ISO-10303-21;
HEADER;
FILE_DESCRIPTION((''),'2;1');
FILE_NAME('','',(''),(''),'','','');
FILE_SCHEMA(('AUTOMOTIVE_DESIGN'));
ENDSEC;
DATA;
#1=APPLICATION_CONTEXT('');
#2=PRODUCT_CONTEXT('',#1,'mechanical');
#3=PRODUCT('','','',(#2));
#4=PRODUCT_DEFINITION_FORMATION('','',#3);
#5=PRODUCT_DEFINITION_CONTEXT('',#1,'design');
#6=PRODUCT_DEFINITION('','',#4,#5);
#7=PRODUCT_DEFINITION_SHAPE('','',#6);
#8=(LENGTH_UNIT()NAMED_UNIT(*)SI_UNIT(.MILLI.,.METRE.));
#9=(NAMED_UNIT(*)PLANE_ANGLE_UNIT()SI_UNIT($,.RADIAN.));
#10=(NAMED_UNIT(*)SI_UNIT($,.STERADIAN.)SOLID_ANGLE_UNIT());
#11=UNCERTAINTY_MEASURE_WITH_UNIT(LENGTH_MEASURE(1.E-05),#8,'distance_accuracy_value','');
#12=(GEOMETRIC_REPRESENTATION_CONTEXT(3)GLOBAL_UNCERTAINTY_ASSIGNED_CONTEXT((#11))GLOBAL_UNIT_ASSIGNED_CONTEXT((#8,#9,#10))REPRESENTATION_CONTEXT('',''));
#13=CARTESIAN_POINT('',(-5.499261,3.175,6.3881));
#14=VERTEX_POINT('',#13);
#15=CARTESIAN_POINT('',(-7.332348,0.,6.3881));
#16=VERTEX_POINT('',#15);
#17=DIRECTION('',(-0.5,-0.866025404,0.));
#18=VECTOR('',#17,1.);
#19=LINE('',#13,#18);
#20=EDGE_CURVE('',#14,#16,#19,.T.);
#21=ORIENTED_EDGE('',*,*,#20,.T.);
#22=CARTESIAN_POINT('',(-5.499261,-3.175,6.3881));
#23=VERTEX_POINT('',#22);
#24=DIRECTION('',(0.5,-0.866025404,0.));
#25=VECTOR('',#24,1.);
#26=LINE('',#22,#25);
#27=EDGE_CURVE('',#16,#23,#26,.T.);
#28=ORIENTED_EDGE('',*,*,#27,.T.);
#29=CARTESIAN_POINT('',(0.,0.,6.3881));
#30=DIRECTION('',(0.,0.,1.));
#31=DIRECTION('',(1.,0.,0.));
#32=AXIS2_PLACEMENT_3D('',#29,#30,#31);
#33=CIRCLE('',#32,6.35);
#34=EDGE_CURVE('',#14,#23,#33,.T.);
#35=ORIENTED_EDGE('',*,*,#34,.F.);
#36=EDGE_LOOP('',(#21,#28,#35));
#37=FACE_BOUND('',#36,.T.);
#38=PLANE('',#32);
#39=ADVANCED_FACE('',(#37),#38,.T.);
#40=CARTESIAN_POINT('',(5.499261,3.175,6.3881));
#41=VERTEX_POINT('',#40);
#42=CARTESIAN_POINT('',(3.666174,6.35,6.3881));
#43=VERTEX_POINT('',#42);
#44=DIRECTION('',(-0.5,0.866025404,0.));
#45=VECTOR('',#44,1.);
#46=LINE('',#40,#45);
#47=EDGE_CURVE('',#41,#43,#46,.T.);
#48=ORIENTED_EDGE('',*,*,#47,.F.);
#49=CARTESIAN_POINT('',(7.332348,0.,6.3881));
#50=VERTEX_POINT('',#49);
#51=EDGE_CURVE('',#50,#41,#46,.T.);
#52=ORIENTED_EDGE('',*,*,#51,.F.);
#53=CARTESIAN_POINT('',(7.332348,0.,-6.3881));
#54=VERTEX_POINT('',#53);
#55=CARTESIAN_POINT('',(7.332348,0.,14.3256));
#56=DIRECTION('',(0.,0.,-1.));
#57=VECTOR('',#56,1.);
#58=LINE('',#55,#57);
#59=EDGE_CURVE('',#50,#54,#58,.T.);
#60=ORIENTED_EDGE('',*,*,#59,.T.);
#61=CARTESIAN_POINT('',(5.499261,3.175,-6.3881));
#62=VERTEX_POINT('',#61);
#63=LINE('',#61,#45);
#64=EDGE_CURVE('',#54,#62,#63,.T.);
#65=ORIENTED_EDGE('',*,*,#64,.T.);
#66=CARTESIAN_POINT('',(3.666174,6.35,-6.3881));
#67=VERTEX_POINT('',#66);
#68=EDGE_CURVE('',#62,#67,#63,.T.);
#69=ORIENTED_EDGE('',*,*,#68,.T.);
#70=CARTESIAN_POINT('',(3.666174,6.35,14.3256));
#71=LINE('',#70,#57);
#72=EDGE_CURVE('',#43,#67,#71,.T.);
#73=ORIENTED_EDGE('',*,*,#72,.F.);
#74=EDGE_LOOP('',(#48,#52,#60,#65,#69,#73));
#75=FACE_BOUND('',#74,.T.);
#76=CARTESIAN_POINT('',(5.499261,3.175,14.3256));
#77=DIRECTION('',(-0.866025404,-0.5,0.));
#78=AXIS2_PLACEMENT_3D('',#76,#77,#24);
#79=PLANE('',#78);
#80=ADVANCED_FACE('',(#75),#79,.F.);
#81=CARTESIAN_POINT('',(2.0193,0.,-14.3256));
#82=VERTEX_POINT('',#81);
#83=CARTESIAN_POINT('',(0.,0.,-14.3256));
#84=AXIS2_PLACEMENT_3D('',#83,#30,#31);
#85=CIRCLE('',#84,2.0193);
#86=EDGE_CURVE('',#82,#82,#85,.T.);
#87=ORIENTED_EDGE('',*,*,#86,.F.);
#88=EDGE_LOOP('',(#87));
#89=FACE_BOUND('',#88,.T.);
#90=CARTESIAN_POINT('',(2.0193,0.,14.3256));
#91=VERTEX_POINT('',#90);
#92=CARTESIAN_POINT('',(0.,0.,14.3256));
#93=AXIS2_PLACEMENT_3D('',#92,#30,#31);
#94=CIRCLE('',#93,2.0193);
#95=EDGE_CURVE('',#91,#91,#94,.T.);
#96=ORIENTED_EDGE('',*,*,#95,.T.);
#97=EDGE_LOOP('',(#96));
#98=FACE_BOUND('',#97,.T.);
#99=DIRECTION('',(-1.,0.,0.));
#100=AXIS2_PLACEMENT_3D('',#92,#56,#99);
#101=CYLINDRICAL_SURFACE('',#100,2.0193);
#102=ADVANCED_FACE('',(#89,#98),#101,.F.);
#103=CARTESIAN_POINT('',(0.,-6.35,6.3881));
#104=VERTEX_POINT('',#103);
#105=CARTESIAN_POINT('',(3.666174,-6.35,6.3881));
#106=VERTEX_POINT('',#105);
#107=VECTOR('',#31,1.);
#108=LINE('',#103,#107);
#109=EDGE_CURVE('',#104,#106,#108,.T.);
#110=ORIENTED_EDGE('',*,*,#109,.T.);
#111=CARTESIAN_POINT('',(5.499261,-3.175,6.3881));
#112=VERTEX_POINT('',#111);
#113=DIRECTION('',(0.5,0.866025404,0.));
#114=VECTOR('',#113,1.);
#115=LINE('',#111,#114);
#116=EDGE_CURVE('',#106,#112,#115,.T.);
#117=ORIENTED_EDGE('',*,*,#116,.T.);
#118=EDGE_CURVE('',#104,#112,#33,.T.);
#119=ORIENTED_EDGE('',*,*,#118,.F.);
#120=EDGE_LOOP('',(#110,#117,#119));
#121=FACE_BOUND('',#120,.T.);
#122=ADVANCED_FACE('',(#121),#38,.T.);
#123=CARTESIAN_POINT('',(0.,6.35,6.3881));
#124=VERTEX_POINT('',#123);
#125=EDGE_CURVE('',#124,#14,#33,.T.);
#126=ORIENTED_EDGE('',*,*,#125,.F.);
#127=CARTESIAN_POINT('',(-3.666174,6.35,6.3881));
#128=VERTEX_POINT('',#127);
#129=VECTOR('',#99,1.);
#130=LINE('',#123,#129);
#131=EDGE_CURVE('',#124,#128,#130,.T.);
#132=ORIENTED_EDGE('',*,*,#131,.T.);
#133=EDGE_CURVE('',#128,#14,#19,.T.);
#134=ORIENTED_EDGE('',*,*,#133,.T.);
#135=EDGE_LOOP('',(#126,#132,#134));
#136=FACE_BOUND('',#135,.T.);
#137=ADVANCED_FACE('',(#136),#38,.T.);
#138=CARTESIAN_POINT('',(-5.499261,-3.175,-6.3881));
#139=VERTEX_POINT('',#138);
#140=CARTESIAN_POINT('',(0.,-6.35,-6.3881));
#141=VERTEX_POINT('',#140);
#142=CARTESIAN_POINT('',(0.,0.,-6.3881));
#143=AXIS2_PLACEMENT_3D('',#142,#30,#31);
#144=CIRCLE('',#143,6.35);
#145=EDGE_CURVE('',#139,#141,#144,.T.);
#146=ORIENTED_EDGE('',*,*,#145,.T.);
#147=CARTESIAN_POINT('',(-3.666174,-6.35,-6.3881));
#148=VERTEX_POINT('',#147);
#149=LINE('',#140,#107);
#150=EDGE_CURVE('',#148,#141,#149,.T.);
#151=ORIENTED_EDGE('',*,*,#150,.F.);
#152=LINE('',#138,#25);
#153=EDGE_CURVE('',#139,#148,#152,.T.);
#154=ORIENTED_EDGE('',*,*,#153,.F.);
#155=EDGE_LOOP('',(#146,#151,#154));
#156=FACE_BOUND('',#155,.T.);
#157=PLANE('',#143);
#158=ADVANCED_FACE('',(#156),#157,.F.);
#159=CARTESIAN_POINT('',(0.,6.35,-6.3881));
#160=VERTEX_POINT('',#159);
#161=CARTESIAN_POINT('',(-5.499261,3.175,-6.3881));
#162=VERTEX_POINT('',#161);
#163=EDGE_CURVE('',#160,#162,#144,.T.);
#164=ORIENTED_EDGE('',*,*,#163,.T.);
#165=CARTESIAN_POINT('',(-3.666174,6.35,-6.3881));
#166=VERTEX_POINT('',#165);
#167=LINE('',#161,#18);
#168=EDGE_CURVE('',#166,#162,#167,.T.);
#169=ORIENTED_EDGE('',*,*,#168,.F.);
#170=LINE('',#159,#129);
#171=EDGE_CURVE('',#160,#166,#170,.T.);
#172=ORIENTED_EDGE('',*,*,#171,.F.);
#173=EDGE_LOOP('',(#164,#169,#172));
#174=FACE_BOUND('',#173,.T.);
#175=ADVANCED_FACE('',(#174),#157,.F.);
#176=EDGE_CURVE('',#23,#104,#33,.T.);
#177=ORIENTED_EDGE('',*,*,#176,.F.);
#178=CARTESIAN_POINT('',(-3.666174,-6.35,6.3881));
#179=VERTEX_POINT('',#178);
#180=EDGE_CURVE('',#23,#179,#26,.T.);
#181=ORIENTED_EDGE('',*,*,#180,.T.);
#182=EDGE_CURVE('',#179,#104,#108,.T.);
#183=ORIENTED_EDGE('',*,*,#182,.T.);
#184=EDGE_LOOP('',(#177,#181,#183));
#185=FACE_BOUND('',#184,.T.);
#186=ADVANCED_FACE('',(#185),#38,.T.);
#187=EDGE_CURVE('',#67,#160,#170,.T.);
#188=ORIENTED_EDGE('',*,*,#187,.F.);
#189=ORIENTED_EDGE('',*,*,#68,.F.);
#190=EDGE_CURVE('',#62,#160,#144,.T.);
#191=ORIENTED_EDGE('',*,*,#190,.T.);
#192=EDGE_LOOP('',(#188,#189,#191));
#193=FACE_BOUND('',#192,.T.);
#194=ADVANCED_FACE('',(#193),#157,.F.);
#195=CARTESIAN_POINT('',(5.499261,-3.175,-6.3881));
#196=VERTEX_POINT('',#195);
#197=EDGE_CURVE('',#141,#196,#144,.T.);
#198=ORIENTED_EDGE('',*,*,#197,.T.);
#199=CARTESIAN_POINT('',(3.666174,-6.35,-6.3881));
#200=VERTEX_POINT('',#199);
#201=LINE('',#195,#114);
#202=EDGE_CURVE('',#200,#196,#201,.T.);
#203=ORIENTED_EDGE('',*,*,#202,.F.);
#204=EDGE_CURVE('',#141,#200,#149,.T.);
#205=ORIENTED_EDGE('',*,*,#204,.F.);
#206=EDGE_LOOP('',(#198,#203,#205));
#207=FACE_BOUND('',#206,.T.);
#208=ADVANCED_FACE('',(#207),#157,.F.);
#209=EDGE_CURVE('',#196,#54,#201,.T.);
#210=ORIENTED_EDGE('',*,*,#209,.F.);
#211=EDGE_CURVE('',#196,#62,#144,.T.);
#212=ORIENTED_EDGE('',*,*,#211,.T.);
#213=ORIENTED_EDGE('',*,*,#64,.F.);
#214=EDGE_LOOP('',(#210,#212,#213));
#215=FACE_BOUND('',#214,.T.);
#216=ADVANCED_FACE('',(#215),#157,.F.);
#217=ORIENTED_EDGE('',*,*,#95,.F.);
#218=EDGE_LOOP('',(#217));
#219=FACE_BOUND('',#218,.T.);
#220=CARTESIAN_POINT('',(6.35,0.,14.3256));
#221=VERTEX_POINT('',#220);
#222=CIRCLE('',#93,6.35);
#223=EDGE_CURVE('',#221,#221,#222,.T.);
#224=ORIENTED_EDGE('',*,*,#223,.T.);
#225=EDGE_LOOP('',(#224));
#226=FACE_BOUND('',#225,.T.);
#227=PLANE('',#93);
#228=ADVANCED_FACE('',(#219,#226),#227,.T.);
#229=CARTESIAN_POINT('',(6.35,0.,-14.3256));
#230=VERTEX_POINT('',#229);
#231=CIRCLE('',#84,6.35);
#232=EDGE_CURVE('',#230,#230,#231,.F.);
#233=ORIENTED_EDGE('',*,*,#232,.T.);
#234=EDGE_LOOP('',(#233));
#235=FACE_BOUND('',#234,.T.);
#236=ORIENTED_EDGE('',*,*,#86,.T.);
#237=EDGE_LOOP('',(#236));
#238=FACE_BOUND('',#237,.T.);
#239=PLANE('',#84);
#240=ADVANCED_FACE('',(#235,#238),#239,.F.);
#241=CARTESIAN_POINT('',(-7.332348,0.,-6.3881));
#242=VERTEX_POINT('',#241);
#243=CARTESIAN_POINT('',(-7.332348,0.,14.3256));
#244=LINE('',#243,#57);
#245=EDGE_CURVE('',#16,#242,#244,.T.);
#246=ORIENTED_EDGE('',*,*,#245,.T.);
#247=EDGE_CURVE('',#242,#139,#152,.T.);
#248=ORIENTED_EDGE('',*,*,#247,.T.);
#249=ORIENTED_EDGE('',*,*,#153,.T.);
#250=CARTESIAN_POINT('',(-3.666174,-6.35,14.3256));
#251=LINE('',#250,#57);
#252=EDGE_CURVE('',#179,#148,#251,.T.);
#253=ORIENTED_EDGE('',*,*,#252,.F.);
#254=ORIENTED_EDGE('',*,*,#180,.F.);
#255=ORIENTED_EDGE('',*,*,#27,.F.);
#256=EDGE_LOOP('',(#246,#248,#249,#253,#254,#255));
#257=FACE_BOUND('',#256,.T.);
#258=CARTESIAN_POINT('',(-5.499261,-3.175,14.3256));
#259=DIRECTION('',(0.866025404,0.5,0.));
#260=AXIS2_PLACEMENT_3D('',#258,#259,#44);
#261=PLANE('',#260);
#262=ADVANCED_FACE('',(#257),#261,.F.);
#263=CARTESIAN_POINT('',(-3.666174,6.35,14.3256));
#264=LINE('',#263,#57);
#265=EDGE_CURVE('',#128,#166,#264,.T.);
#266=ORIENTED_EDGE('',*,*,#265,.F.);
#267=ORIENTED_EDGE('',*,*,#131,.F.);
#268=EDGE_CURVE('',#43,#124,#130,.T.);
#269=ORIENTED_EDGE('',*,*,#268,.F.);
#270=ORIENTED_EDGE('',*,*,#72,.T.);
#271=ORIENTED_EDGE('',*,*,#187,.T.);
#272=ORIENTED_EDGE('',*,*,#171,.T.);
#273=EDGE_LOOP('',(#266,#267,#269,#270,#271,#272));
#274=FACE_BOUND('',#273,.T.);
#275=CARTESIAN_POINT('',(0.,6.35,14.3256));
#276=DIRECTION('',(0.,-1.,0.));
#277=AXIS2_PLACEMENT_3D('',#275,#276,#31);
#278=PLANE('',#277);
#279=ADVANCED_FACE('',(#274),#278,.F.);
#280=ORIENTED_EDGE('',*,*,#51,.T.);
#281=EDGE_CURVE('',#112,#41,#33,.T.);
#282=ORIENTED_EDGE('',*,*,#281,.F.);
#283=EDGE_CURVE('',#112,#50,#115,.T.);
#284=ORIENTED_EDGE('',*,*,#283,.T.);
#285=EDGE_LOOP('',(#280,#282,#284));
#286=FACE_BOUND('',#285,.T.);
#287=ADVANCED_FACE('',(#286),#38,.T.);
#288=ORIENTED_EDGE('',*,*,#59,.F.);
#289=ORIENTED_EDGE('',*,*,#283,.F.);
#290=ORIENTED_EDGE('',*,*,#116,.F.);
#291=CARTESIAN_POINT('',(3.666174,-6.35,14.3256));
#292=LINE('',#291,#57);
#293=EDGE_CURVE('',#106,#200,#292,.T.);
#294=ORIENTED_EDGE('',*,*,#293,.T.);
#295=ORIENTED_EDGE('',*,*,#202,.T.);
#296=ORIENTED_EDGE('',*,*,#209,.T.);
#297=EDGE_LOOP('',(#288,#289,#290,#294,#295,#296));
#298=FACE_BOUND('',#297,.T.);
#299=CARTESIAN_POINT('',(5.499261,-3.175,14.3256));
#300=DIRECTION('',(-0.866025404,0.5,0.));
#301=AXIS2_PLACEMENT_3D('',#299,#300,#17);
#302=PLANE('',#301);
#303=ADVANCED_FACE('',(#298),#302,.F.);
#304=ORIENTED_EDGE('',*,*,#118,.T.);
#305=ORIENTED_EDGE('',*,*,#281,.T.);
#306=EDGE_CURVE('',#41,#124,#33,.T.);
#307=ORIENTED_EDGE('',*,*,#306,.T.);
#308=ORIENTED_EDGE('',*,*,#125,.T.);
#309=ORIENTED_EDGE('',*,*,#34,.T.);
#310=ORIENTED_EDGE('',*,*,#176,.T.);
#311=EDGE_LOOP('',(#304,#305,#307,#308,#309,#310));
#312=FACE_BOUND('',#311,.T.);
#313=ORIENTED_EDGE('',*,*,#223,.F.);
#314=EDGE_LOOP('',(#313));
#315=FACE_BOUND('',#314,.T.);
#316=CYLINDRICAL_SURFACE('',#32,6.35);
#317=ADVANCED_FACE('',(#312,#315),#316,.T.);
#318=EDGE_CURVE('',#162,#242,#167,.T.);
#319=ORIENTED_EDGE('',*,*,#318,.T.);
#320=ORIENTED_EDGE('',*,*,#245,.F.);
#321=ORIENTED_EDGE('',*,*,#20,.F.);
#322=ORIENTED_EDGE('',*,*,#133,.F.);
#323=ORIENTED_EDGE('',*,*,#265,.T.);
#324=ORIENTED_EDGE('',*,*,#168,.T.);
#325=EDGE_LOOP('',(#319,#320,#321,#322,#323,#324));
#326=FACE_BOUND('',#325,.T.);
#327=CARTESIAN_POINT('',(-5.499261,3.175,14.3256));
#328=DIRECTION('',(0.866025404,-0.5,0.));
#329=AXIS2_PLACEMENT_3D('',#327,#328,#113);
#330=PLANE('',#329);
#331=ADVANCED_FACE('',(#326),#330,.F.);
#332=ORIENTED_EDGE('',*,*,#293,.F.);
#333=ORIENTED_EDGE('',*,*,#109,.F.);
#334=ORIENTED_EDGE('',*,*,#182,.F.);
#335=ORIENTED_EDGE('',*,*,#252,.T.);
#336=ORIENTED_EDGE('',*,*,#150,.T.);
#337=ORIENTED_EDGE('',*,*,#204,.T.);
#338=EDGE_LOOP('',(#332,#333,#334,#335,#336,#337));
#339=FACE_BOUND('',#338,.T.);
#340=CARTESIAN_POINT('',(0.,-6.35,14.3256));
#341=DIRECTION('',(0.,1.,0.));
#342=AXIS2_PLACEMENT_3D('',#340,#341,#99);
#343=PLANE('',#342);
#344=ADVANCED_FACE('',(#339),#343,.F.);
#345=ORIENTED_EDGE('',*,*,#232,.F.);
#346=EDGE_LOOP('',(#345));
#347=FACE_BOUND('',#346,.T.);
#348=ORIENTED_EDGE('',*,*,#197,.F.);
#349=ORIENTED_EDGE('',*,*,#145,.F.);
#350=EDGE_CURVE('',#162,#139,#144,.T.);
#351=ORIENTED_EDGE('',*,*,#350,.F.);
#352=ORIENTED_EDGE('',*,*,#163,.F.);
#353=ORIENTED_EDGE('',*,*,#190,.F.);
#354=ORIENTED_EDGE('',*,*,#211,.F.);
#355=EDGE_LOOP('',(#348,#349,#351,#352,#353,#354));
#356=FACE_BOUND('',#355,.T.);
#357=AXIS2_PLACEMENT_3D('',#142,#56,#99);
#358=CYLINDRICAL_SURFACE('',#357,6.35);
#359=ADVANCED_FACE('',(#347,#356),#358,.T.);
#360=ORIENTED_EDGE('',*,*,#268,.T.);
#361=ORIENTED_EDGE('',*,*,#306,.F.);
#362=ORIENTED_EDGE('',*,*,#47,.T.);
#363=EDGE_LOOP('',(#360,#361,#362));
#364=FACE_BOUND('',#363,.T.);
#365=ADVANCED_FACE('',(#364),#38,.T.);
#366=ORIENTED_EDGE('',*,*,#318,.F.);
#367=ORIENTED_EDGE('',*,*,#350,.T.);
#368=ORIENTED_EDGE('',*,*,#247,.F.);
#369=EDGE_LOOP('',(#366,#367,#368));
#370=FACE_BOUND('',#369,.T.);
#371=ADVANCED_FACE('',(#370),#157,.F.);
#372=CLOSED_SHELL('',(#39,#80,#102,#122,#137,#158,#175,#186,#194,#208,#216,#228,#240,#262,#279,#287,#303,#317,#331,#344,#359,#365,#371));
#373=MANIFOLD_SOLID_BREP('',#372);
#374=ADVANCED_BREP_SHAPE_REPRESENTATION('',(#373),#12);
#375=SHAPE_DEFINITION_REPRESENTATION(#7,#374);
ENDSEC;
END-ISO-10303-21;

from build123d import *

# Parameters (mm, degrees)
SKETCH1_R                            = 2.0193
BOSS_EXTRUDE1_DEPTH                  = 14.3256
F_10_32_TAPPED_HOLE1_D               = 4.0386
F_10_32_TAPPED_HOLE1_DEPTH           = 11.938
F_10_32_TAPPED_HOLE1_TIP             = 1.213317848
F_10_32_TAPPED_HOLE1_ON_FACE_2_D     = 4.0386
F_10_32_TAPPED_HOLE1_ON_FACE_2_DEPTH = 11.938
F_10_32_TAPPED_HOLE1_ON_FACE_2_TIP   = 1.213317848
SKETCH4_R                            = 8.89
SKETCH4_R_2                          = 6.35
CUT_EXTRUDE_THIN1_DEPTH              = 7.9375


with BuildPart() as part:
    # Sketch1 → Boss-Extrude1 (new, symmetric)
    with BuildSketch(Plane.XY):
        Polygon((7.332348419, 0), (3.666174209, 6.35), (-3.666174209, 6.35), (-7.332348419, 0), (-3.666174209, -6.35), (3.666174209, -6.35), align=None)
        Circle(SKETCH1_R, mode=Mode.SUBTRACT)
    extrude(amount=BOSS_EXTRUDE1_DEPTH, both=True)

    # #10-32 Tapped Hole1
    with Locations(Plane.XY.offset(14.3256)):
        with Locations((0, 0)):
            Hole(F_10_32_TAPPED_HOLE1_D / 2, depth=F_10_32_TAPPED_HOLE1_DEPTH)
            with Locations((0, 0, -(F_10_32_TAPPED_HOLE1_DEPTH + F_10_32_TAPPED_HOLE1_TIP / 2))):  # 118° drill point
                Cone(0, F_10_32_TAPPED_HOLE1_D / 2, F_10_32_TAPPED_HOLE1_TIP, mode=Mode.SUBTRACT)

    # #10-32 Tapped Hole1 on face 2
    with Locations(Plane.XY.offset(-14.3256)):
        with Locations((0, 0)):
            Hole(F_10_32_TAPPED_HOLE1_ON_FACE_2_D / 2, depth=F_10_32_TAPPED_HOLE1_ON_FACE_2_DEPTH)
            with Locations((0, 0, -(F_10_32_TAPPED_HOLE1_ON_FACE_2_DEPTH + F_10_32_TAPPED_HOLE1_ON_FACE_2_TIP / 2))):  # 118° drill point
                Cone(0, F_10_32_TAPPED_HOLE1_ON_FACE_2_D / 2, F_10_32_TAPPED_HOLE1_ON_FACE_2_TIP, mode=Mode.SUBTRACT)

    # Sketch4 → Cut-Extrude-Thin1 (cut)
    with BuildSketch(Plane.XY.offset(14.3256)):
        Circle(SKETCH4_R)
        Circle(SKETCH4_R_2, mode=Mode.SUBTRACT)
    cut_extrude_thin1 = extrude(amount=-CUT_EXTRUDE_THIN1_DEPTH, mode=Mode.SUBTRACT)

    # Mirror1: Cut-Extrude-Thin1 across plane
    add(cut_extrude_thin1.mirror(Plane.XY), mode=Mode.SUBTRACT)


solid = part.part
